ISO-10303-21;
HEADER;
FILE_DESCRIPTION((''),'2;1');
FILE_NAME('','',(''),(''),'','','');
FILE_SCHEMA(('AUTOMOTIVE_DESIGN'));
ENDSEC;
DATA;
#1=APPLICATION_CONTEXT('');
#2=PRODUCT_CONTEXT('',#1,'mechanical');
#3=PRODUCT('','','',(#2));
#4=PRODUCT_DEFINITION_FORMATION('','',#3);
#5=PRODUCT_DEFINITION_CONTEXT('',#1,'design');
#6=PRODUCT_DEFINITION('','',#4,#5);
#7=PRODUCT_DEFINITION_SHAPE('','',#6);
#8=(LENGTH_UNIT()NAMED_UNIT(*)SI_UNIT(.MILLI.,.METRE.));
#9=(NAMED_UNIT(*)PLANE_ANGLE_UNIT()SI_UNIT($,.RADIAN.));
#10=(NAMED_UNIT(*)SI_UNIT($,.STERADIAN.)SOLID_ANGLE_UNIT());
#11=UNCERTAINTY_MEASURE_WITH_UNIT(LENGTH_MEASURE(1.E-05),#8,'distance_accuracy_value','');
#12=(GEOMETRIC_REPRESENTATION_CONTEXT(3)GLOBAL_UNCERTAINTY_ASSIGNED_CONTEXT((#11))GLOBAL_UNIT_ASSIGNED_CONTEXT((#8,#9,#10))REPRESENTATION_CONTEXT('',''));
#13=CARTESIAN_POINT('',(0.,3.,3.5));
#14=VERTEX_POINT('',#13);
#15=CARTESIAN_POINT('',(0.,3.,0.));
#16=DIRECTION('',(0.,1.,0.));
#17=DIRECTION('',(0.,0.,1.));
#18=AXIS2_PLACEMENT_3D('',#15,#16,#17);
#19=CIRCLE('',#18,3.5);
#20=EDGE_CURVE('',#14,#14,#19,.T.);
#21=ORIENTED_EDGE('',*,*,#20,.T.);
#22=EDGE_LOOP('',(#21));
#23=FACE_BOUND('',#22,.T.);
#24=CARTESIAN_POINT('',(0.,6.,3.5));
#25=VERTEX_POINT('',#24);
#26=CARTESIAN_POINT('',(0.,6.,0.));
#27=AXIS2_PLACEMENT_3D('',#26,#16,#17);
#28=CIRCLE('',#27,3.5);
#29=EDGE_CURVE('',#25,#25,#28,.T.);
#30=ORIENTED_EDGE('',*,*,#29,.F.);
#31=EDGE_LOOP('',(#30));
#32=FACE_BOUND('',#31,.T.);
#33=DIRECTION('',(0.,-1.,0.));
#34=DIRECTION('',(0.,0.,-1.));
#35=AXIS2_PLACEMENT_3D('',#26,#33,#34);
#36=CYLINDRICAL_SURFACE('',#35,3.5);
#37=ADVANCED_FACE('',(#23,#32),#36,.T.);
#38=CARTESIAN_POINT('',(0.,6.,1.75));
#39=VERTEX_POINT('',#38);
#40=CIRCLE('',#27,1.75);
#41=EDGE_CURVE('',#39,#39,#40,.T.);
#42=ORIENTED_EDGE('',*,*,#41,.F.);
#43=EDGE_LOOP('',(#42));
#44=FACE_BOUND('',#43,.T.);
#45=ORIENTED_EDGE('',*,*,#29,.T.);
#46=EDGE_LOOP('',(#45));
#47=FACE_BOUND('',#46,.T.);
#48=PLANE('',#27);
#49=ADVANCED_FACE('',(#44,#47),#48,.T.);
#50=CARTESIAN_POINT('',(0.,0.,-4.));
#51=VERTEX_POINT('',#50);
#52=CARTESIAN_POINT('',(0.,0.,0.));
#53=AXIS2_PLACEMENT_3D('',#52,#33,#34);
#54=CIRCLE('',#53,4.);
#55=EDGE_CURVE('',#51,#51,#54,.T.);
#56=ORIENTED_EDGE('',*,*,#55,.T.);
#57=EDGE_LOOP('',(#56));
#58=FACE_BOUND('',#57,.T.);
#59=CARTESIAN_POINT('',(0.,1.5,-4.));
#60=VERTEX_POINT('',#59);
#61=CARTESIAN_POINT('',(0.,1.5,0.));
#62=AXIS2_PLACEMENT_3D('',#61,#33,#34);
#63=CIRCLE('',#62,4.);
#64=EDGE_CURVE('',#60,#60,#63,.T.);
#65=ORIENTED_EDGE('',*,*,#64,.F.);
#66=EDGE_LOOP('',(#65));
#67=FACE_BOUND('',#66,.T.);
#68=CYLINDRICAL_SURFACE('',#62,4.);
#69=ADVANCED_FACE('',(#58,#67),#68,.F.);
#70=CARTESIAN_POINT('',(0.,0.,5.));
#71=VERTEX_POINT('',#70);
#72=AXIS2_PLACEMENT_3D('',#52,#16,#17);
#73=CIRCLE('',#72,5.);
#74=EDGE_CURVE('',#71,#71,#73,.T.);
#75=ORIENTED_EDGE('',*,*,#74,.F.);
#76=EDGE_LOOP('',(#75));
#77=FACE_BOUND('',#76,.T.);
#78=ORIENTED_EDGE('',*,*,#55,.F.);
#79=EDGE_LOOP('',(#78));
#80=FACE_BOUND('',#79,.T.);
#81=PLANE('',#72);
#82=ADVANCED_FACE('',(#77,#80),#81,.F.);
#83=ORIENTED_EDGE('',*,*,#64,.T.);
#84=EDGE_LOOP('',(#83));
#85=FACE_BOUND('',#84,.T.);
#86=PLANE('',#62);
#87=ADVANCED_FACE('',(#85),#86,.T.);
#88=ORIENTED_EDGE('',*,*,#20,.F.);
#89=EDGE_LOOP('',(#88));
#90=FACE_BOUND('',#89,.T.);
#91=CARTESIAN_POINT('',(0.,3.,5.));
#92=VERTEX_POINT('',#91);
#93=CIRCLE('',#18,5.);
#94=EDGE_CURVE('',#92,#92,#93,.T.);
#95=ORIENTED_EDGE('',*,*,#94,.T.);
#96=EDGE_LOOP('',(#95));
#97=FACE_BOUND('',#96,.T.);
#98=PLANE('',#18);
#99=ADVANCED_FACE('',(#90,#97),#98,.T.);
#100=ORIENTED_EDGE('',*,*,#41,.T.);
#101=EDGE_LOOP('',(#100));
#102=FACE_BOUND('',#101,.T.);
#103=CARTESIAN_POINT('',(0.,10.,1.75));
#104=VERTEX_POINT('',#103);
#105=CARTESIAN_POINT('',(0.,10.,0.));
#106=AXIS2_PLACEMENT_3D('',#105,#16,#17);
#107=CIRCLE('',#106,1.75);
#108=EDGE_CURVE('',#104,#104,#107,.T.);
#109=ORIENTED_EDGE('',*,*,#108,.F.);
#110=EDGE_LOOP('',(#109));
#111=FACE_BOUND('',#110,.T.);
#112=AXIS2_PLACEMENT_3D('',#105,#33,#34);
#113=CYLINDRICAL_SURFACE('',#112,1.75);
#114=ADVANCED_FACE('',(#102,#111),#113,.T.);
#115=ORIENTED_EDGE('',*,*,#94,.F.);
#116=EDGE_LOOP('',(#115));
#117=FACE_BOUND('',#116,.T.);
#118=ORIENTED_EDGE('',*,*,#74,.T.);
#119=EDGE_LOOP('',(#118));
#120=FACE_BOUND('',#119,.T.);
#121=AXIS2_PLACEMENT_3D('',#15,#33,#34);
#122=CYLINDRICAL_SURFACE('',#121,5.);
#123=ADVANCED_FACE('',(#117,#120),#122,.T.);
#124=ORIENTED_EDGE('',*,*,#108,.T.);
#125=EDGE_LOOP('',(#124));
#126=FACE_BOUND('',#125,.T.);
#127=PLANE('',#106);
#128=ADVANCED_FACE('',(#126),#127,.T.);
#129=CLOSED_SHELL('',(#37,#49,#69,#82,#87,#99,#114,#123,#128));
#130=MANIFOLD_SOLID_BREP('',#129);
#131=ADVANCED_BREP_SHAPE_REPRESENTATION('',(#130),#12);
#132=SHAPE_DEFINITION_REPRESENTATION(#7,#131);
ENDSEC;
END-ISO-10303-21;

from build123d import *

# Parameters (mm, degrees)
SKETCH2_R           = 5
BOSS_EXTRUDE1_DEPTH = 3
SKETCH3_R           = 3.5
BOSS_EXTRUDE2_DEPTH = 3
SKETCH4_R           = 1.75
BOSS_EXTRUDE3_DEPTH = 4
SKETCH6_R           = 4
CUT_EXTRUDE1_DEPTH  = 1.5


with BuildPart() as part:
    # Sketch2 → Boss-Extrude1 (new body)
    with BuildSketch(Plane(origin=(0, 0, 0), x_dir=(1, 0, 0), z_dir=(0, 1, 0))):
        with Locations(Location((0, 0, 0), (0, 0, 270))):
            Circle(SKETCH2_R)
    extrude(amount=BOSS_EXTRUDE1_DEPTH)

    # Sketch3 → Boss-Extrude2 (add)
    with BuildSketch(Plane(origin=(0, 3, 0), x_dir=(1, 0, 0), z_dir=(0, 1, 0))):
        with Locations(Location((0, 0, 0), (0, 0, 270))):
            Circle(SKETCH3_R)
    extrude(amount=BOSS_EXTRUDE2_DEPTH)

    # Sketch4 → Boss-Extrude3 (add)
    with BuildSketch(Plane(origin=(0, 6, 0), x_dir=(1, 0, 0), z_dir=(0, 1, 0))):
        with Locations(Location((0, 0, 0), (0, 0, 270))):
            Circle(SKETCH4_R)
    extrude(amount=BOSS_EXTRUDE3_DEPTH)

    # Sketch6 → Cut-Extrude1 (cut)
    with BuildSketch(Plane(origin=(0, 0, 0), x_dir=(-1, 0, 0), z_dir=(0, -1, 0))):
        with Locations(Location((0, 0, 0), (0, 0, 90))):
            Circle(SKETCH6_R)
    extrude(amount=-CUT_EXTRUDE1_DEPTH, mode=Mode.SUBTRACT)


solid = part.part
